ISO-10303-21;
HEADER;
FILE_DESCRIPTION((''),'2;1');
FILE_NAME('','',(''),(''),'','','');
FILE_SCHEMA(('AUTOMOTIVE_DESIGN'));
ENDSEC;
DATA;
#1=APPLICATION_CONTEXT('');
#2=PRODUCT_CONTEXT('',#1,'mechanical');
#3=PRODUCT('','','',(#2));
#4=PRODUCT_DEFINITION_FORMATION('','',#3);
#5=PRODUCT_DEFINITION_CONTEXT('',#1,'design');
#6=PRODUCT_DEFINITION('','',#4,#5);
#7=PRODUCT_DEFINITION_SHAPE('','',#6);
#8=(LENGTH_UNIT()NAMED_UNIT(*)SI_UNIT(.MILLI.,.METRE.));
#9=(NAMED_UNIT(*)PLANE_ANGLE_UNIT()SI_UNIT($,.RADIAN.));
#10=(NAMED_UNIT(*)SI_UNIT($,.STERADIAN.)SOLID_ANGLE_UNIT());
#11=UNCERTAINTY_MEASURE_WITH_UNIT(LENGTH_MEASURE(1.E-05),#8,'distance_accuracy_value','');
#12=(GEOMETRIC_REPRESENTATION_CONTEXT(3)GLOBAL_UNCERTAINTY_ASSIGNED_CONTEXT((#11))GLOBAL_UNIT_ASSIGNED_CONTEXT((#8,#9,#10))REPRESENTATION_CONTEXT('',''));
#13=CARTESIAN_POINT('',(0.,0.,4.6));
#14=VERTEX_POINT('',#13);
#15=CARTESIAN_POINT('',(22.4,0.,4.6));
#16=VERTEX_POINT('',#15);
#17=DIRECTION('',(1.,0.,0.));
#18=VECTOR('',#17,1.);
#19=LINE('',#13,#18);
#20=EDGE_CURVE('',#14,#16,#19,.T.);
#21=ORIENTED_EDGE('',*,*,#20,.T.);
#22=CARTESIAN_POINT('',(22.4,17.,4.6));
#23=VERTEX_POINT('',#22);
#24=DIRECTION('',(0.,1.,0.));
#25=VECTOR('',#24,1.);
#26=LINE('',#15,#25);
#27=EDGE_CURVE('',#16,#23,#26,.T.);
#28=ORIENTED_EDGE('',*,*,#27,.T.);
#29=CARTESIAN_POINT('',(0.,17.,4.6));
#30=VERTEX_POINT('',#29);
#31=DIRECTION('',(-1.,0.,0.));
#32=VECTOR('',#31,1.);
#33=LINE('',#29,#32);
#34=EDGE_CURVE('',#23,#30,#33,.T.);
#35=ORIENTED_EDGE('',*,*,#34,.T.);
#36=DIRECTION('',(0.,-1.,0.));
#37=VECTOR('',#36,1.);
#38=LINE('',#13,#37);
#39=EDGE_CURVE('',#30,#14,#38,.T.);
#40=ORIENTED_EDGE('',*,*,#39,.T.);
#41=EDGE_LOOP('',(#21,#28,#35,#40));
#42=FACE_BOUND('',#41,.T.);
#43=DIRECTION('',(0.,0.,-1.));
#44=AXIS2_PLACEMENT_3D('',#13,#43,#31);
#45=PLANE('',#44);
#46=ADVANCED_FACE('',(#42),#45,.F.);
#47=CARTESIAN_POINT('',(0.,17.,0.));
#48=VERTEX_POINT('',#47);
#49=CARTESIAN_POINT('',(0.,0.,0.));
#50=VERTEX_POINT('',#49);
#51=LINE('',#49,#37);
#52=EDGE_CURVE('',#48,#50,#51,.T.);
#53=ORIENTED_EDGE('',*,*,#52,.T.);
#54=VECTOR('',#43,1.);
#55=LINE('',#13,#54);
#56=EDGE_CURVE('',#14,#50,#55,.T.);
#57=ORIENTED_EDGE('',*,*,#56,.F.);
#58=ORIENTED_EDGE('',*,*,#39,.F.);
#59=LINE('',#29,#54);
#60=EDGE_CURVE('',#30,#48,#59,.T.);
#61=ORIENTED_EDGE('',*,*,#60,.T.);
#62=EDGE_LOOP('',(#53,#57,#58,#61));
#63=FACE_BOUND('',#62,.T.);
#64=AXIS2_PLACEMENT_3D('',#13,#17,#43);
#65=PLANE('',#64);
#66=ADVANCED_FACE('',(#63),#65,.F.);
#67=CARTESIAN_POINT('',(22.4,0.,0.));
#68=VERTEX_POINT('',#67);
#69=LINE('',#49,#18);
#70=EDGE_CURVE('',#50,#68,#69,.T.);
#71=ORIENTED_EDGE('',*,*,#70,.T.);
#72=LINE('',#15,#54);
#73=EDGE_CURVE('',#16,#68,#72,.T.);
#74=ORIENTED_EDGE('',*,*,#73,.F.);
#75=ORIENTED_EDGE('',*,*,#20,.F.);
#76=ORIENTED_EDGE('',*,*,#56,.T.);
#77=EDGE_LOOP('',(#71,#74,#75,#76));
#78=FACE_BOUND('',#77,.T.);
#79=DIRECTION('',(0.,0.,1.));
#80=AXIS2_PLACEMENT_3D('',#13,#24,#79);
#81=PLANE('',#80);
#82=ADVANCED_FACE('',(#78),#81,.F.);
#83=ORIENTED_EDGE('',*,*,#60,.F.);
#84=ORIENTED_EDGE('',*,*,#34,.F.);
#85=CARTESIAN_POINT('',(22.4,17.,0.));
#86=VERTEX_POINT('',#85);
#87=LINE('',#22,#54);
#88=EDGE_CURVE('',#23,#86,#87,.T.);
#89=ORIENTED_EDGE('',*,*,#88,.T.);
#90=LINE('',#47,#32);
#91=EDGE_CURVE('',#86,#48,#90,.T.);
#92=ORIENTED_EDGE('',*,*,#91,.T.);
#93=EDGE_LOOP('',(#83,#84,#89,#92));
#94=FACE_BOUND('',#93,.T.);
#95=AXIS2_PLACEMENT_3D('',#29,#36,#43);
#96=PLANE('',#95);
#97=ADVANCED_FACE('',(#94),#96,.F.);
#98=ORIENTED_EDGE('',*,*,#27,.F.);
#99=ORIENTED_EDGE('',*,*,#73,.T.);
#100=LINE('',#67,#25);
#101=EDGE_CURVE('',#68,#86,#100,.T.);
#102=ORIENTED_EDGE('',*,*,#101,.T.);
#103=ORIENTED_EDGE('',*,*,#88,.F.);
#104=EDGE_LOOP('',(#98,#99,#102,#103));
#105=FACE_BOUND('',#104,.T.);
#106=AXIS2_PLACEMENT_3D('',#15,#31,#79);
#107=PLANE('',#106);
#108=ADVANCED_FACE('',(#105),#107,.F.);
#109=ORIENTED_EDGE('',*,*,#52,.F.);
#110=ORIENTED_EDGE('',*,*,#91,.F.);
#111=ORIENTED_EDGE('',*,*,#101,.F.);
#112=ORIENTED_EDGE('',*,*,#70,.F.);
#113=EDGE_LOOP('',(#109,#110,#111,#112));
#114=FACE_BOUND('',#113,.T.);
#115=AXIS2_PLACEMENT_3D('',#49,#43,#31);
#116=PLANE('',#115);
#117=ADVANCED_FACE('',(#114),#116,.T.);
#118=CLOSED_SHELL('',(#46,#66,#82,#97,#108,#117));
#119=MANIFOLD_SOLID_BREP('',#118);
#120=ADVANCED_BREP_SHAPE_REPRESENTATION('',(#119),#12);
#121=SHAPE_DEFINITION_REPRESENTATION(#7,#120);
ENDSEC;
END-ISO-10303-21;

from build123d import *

# Parameters (mm, degrees)
SKETCH1_W           = 22.4
SKETCH1_H           = 17
BOSS_EXTRUDE1_DEPTH = 4.6


with BuildPart() as part:
    # Sketch1 → Boss-Extrude1 (new body)
    with BuildSketch(Plane.XY):
        with Locations((11.2, 8.5)):
            Rectangle(SKETCH1_W, SKETCH1_H)
    extrude(amount=BOSS_EXTRUDE1_DEPTH)


solid = part.part
